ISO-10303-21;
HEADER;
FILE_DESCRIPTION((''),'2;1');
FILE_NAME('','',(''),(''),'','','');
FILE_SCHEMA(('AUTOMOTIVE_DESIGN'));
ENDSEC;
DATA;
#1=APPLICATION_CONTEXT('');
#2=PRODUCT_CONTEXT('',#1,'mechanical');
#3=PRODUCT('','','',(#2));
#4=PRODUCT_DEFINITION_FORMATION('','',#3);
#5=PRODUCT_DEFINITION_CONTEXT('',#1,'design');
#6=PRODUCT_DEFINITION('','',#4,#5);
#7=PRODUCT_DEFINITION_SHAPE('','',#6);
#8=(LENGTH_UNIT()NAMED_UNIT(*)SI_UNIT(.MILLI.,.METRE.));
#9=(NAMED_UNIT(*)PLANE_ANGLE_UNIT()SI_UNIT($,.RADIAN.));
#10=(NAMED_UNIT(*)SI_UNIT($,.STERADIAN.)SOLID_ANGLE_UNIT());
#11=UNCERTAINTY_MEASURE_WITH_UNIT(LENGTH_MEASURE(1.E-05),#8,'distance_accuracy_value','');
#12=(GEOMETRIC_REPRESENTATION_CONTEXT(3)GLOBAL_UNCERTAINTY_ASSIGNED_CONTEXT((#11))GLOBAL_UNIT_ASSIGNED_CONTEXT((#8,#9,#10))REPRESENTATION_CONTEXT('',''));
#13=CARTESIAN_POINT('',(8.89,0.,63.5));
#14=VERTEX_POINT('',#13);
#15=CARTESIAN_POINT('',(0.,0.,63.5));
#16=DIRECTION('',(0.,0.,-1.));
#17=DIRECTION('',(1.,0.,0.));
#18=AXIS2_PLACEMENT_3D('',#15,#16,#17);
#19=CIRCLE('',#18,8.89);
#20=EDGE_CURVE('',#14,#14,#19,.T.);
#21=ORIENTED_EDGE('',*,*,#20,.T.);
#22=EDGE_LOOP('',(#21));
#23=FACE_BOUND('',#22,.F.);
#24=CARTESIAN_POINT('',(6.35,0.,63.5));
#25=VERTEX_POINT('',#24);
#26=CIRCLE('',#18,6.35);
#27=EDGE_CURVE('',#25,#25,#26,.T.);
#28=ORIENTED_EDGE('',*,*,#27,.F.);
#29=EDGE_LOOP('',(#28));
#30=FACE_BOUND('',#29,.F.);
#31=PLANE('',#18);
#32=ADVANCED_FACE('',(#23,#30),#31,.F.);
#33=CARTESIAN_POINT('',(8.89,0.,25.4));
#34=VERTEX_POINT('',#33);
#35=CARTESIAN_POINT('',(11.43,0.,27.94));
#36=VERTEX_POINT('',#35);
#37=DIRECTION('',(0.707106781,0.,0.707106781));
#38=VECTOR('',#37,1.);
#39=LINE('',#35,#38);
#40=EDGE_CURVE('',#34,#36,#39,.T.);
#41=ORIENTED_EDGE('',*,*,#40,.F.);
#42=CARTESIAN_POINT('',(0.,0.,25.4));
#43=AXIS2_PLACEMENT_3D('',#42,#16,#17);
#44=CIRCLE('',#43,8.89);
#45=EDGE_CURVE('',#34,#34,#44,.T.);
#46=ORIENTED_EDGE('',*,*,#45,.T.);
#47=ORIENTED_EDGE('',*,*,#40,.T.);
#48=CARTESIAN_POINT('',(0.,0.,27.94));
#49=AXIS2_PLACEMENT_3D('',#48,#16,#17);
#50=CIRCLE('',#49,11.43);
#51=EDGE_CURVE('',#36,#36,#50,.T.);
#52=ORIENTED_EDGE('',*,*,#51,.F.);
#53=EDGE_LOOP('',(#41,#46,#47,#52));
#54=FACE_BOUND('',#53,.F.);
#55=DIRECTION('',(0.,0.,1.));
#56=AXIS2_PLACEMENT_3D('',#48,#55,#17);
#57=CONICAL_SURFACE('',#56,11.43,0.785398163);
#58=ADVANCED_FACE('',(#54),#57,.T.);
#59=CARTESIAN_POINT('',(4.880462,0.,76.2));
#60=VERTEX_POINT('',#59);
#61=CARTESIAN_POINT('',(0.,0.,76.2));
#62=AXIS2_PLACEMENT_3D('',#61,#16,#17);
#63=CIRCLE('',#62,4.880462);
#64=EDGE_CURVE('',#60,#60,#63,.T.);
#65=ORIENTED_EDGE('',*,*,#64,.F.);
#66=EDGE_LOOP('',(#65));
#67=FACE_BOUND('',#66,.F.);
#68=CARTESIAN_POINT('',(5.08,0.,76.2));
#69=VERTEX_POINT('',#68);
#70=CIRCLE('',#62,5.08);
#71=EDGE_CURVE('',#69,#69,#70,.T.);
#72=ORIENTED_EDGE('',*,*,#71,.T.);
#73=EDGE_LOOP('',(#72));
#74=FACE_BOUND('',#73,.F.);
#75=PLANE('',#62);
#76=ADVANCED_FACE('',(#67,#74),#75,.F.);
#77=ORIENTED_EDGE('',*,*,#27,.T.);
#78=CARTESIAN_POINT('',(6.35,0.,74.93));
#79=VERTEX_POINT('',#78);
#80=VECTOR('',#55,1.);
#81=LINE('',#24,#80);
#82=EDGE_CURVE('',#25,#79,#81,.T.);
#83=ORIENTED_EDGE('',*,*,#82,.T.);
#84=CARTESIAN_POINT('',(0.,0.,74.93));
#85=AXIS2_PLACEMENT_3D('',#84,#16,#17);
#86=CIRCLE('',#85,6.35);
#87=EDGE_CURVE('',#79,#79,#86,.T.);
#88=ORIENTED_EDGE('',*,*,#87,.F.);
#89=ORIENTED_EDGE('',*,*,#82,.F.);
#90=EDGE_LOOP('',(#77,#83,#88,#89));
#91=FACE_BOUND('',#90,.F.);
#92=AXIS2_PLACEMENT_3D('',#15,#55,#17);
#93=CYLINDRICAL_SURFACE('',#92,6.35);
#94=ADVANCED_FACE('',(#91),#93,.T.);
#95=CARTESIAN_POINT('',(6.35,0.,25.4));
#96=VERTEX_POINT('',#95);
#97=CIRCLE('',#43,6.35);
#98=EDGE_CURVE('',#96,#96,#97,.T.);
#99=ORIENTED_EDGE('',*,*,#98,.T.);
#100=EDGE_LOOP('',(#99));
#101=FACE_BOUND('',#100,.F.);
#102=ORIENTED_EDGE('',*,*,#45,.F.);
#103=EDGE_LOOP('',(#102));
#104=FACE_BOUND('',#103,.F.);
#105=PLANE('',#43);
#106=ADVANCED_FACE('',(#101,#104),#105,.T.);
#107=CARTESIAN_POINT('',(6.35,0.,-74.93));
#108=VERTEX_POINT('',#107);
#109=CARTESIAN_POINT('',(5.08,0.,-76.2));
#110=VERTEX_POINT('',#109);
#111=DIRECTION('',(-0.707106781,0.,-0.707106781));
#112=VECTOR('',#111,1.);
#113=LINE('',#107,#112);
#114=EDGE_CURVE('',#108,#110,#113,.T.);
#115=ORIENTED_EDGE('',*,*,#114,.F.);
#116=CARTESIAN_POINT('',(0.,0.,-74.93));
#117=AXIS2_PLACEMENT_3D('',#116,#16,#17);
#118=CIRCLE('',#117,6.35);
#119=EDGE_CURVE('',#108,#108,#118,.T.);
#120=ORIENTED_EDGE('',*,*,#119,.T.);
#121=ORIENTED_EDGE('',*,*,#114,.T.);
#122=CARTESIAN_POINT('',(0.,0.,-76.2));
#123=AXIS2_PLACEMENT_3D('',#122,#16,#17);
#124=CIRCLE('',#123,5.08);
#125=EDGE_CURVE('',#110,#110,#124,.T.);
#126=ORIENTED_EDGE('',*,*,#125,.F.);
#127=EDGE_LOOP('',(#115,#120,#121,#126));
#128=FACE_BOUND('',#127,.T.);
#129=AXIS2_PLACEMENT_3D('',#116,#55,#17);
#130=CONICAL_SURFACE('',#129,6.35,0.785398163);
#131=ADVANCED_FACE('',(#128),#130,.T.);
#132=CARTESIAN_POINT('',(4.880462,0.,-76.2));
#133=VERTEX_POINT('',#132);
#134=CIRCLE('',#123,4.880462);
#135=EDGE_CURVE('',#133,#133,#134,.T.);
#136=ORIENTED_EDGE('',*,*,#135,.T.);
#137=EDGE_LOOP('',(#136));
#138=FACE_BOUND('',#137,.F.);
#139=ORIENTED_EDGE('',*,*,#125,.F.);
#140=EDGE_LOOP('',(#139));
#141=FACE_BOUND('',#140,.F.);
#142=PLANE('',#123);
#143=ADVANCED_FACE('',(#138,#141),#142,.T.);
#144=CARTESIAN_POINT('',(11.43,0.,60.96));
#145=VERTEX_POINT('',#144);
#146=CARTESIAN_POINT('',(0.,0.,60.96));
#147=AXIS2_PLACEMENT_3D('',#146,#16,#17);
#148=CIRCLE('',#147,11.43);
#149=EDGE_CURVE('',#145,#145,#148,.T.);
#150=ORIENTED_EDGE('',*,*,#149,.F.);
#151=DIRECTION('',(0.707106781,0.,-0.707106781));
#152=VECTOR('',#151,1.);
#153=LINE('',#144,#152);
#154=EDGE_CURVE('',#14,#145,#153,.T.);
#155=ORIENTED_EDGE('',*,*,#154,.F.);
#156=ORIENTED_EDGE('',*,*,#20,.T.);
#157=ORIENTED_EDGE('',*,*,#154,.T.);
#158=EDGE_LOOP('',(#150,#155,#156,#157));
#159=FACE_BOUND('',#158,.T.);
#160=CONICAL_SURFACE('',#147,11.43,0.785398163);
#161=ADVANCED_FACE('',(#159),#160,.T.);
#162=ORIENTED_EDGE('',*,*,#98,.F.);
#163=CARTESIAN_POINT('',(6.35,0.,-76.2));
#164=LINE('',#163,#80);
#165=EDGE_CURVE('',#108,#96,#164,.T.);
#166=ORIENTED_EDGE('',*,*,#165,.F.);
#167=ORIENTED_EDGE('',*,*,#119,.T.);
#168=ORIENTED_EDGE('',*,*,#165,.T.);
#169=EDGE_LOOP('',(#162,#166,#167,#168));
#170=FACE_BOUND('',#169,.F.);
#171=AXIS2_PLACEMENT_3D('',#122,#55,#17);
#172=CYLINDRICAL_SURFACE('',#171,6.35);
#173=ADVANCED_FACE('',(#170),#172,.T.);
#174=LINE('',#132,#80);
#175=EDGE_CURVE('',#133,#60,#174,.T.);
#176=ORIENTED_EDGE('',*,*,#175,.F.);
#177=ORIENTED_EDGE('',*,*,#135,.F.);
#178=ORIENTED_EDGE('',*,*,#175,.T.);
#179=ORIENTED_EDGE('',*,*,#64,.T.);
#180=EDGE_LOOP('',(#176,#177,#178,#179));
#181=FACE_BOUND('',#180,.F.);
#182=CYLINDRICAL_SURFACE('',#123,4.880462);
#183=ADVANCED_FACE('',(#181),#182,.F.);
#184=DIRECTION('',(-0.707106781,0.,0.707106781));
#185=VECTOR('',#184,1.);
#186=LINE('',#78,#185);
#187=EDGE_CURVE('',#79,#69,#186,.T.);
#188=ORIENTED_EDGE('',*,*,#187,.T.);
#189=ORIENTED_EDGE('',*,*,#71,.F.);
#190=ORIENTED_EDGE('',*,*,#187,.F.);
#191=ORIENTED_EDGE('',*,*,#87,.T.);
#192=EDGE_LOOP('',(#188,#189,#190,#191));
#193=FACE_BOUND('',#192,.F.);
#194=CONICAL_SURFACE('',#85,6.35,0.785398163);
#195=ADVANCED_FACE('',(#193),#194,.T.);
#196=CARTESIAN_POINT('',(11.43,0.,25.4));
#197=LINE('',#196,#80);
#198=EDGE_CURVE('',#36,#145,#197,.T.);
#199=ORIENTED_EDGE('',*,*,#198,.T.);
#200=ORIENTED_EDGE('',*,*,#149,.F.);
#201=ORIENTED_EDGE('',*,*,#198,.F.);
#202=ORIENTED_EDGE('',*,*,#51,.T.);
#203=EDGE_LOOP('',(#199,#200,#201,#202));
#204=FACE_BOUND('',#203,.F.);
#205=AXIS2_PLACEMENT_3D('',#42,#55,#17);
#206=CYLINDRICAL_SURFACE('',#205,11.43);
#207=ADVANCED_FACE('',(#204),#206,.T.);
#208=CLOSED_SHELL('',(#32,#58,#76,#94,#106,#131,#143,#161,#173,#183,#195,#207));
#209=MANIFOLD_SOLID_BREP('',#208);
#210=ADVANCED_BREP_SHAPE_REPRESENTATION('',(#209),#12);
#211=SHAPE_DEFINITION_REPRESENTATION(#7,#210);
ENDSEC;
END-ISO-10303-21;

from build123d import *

# Parameters (mm, degrees)
F2_SIZE  = 2.54
F3_R     = 4.880462
F6_DEPTH = 152.401
F4_SIZE  = 1.27
F7_SIZE  = 2.54
F5_SIZE  = 1.27


with BuildPart() as f1:
    # F0 (on Front) → F1 (revolve)
    with BuildSketch(Plane.XZ):
        Polygon((0, -76.2), (6.35, -76.2), (6.35, 25.4), (11.43, 25.4), (11.43, 63.5), (6.35, 63.5), (6.35, 76.2), (0, 76.2), align=None)
    revolve(axis=Axis((0, 0, -2.097856), (0, 0, -1)))

    # F2
    f2_edges = [f1.edges().sort_by_distance(p)[0] for p in [
        (-11.43, 0, 25.4),
    ]]
    chamfer(f2_edges, length=F2_SIZE)

    # F3 (on face) → F6 (cut, through all)
    with BuildSketch(Plane(origin=(0, 0, -76.2), x_dir=(1, 0, 0), z_dir=(0, 0, -1))):
        Circle(F3_R)
    extrude(amount=-F6_DEPTH, mode=Mode.SUBTRACT)

    # F4
    f4_edges = [f1.edges().sort_by_distance(p)[0] for p in [
        (-6.35, 0, 76.2),
    ]]
    chamfer(f4_edges, length=F4_SIZE)

    # F7
    f7_edges = [f1.edges().sort_by_distance(p)[0] for p in [
        (-11.43, 0, 63.5),
    ]]
    chamfer(f7_edges, length=F7_SIZE)

    # F5
    f5_edges = [f1.edges().sort_by_distance(p)[0] for p in [
        (-6.35, 0, -76.2),
    ]]
    chamfer(f5_edges, length=F5_SIZE)


solid = f1.part
